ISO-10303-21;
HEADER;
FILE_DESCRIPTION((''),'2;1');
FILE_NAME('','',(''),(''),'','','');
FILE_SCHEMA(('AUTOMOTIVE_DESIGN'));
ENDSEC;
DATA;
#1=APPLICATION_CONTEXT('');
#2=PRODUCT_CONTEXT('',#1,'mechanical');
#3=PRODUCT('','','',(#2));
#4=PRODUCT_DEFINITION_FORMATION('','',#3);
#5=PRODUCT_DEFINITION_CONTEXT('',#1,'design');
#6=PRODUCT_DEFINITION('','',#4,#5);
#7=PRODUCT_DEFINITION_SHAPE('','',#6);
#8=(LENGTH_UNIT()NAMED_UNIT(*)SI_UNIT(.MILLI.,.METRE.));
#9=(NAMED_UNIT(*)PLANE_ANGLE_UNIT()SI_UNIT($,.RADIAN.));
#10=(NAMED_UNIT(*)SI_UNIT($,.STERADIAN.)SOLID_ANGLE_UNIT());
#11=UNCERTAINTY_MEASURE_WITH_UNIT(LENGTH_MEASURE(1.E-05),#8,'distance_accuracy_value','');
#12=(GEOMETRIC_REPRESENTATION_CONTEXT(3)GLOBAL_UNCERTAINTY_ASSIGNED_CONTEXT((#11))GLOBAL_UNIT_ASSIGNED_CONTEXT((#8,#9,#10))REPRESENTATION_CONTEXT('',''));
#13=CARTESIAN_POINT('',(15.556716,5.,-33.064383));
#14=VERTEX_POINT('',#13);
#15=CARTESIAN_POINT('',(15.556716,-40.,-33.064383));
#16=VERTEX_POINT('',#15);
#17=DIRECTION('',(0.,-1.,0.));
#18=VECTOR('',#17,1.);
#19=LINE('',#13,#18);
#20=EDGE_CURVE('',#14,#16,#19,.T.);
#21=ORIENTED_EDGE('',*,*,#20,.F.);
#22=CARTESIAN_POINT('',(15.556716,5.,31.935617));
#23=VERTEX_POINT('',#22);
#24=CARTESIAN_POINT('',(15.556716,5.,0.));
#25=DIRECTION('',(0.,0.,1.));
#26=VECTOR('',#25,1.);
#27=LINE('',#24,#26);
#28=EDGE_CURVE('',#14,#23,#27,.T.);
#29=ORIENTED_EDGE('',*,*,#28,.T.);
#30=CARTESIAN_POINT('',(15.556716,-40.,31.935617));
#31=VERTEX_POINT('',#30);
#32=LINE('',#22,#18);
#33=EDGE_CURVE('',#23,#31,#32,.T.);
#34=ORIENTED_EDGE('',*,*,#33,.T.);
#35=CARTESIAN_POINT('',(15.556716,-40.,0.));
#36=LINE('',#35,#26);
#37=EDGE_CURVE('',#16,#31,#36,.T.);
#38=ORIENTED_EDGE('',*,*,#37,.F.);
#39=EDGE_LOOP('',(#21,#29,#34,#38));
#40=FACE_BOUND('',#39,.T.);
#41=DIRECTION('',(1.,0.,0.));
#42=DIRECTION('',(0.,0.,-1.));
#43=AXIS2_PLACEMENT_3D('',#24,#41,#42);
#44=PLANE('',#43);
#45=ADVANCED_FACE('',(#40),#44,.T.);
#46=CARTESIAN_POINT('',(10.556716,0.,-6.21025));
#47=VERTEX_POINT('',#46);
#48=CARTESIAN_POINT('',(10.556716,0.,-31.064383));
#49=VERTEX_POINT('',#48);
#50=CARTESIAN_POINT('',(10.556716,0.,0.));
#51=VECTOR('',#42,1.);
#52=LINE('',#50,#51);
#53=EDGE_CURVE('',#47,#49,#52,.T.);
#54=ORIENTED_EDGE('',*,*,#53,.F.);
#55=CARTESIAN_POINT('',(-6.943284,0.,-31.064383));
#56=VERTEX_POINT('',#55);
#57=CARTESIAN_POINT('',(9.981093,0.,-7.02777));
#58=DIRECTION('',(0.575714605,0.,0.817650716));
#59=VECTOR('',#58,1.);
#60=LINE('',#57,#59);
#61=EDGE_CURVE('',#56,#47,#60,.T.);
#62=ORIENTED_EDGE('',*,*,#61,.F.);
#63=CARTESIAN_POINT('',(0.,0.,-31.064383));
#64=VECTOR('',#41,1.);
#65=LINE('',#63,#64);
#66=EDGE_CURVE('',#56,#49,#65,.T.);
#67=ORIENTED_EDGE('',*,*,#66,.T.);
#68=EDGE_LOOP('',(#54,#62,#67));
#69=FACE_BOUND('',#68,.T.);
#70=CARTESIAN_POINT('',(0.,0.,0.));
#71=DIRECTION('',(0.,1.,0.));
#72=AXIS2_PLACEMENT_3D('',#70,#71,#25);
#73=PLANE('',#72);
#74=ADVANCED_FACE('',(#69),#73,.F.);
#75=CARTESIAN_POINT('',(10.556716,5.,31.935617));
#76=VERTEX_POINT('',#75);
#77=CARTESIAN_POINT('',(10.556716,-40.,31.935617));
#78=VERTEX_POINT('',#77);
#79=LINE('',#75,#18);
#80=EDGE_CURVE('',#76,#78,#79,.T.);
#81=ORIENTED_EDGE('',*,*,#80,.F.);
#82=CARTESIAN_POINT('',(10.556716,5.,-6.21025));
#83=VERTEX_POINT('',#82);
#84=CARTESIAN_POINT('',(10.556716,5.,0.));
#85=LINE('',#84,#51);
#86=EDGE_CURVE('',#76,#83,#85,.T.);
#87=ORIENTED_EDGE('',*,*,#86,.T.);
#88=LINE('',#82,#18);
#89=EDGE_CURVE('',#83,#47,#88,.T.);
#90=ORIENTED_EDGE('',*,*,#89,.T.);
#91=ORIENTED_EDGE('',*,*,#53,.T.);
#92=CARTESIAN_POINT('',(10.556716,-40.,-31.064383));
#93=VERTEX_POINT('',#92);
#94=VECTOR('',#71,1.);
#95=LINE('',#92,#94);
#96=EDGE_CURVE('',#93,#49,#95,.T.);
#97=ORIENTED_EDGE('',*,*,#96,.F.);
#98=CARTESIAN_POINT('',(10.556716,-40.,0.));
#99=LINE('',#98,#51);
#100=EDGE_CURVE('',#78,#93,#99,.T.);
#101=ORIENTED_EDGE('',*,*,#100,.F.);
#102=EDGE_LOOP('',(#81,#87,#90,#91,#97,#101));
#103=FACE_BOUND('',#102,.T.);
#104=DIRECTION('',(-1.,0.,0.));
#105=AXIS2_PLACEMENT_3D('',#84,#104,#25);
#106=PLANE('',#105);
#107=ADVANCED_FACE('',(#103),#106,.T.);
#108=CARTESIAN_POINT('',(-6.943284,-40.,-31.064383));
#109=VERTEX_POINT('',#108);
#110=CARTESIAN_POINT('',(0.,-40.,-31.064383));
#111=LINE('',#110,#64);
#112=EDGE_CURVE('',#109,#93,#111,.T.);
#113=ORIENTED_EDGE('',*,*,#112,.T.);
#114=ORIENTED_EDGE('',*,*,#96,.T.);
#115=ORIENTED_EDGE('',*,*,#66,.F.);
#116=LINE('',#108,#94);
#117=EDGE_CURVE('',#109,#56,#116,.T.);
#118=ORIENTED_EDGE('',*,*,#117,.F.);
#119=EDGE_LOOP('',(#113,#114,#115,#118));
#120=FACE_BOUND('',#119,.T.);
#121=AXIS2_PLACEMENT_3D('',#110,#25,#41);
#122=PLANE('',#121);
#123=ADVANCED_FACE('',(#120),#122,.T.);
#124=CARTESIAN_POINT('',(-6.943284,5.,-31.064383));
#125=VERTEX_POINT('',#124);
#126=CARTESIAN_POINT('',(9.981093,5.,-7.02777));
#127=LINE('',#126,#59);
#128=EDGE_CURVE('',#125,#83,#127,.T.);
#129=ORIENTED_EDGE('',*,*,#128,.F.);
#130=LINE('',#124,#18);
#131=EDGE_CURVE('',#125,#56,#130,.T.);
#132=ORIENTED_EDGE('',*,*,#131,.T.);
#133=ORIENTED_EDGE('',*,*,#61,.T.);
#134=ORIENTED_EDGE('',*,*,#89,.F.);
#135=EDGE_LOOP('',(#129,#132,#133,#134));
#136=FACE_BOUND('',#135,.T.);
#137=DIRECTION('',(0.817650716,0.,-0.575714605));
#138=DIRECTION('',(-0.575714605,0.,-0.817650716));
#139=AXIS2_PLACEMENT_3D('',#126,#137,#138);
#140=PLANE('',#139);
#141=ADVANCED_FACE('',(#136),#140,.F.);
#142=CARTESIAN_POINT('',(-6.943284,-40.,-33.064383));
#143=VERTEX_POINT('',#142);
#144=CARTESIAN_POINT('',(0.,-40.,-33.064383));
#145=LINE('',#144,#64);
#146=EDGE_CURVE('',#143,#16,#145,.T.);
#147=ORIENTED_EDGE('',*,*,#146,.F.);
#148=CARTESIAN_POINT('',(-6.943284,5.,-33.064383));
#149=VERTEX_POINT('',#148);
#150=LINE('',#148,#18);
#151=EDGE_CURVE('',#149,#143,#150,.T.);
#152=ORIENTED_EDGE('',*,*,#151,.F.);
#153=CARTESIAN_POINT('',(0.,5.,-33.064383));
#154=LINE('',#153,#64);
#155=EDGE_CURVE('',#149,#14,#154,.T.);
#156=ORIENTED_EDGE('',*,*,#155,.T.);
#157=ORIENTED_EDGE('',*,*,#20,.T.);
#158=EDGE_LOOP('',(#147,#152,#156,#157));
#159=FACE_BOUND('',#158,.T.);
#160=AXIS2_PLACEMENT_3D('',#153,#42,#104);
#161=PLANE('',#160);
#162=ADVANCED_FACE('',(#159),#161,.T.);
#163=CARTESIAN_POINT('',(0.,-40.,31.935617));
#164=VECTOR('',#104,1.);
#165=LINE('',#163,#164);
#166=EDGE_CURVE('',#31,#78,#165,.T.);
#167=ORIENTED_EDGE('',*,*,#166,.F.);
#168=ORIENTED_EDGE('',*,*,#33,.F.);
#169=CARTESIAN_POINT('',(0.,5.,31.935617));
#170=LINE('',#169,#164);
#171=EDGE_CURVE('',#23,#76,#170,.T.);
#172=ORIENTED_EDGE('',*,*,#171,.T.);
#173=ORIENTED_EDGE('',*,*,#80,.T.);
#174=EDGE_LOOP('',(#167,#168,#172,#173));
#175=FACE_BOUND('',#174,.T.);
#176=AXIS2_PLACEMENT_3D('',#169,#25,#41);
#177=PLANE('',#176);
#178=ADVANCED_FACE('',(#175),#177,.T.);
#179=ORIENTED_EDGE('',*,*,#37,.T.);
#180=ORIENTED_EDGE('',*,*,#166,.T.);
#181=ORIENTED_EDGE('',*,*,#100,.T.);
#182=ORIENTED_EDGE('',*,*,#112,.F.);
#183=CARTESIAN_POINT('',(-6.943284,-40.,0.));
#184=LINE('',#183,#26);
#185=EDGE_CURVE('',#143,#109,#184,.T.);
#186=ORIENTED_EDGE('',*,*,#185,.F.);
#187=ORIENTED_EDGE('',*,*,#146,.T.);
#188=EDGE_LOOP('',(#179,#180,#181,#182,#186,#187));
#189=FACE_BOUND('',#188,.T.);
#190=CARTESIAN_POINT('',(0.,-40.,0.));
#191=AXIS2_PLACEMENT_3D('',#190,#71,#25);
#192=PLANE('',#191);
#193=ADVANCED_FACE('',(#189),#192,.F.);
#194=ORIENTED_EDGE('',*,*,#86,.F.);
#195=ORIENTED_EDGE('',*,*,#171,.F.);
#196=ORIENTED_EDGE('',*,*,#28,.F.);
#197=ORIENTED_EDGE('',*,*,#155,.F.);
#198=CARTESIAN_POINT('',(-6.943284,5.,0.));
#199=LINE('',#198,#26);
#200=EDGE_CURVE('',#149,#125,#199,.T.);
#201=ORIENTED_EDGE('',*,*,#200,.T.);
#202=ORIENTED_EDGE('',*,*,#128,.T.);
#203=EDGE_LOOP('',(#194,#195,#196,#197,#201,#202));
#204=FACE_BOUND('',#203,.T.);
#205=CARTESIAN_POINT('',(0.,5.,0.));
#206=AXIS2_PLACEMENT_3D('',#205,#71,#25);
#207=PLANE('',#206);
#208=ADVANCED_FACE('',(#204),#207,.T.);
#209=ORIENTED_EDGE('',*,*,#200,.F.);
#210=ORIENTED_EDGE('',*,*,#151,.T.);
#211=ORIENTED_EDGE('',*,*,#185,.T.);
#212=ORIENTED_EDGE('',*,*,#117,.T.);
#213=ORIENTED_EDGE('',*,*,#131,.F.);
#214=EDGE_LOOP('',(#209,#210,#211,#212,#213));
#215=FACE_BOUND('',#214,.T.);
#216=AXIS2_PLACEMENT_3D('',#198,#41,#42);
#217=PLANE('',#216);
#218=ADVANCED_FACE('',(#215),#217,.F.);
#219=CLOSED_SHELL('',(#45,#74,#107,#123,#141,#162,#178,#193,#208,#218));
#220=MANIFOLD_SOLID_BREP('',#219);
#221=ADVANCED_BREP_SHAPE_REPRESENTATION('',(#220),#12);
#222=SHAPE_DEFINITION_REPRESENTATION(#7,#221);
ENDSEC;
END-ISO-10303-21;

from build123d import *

# Parameters (mm, degrees)
BOSS_EXTRUDE1_DEPTH = 5
BOSS_EXTRUDE2_DEPTH = 40


with BuildPart() as part:
    # Sketch1 → Boss-Extrude1 (new body)
    with BuildSketch(Plane(origin=(0, 0, 0), x_dir=(1, 0, 0), z_dir=(0, 1, 0))):
        Polygon((15.55671577, -31.935616946), (15.55671577, 33.064383054), (-6.94328423, 33.064383054), (-6.94328423, 31.064383054), (10.55671577, 6.210249778), (10.55671577, -31.935616946), align=None)
    extrude(amount=BOSS_EXTRUDE1_DEPTH)

    # Sketch1<3> → Boss-Extrude2 (add)
    with BuildSketch(Plane(origin=(0, 0, 0), x_dir=(1, 0, 0), z_dir=(0, 1, 0))):
        Polygon((15.55671577, -31.935616946), (15.55671577, 33.064383054), (-6.94328423, 33.064383054), (-6.94328423, 31.064383054), (10.55671577, 31.064383054), (10.55671577, 6.210249778), (10.55671577, -31.935616946), align=None)
    extrude(amount=-BOSS_EXTRUDE2_DEPTH)


solid = part.part
